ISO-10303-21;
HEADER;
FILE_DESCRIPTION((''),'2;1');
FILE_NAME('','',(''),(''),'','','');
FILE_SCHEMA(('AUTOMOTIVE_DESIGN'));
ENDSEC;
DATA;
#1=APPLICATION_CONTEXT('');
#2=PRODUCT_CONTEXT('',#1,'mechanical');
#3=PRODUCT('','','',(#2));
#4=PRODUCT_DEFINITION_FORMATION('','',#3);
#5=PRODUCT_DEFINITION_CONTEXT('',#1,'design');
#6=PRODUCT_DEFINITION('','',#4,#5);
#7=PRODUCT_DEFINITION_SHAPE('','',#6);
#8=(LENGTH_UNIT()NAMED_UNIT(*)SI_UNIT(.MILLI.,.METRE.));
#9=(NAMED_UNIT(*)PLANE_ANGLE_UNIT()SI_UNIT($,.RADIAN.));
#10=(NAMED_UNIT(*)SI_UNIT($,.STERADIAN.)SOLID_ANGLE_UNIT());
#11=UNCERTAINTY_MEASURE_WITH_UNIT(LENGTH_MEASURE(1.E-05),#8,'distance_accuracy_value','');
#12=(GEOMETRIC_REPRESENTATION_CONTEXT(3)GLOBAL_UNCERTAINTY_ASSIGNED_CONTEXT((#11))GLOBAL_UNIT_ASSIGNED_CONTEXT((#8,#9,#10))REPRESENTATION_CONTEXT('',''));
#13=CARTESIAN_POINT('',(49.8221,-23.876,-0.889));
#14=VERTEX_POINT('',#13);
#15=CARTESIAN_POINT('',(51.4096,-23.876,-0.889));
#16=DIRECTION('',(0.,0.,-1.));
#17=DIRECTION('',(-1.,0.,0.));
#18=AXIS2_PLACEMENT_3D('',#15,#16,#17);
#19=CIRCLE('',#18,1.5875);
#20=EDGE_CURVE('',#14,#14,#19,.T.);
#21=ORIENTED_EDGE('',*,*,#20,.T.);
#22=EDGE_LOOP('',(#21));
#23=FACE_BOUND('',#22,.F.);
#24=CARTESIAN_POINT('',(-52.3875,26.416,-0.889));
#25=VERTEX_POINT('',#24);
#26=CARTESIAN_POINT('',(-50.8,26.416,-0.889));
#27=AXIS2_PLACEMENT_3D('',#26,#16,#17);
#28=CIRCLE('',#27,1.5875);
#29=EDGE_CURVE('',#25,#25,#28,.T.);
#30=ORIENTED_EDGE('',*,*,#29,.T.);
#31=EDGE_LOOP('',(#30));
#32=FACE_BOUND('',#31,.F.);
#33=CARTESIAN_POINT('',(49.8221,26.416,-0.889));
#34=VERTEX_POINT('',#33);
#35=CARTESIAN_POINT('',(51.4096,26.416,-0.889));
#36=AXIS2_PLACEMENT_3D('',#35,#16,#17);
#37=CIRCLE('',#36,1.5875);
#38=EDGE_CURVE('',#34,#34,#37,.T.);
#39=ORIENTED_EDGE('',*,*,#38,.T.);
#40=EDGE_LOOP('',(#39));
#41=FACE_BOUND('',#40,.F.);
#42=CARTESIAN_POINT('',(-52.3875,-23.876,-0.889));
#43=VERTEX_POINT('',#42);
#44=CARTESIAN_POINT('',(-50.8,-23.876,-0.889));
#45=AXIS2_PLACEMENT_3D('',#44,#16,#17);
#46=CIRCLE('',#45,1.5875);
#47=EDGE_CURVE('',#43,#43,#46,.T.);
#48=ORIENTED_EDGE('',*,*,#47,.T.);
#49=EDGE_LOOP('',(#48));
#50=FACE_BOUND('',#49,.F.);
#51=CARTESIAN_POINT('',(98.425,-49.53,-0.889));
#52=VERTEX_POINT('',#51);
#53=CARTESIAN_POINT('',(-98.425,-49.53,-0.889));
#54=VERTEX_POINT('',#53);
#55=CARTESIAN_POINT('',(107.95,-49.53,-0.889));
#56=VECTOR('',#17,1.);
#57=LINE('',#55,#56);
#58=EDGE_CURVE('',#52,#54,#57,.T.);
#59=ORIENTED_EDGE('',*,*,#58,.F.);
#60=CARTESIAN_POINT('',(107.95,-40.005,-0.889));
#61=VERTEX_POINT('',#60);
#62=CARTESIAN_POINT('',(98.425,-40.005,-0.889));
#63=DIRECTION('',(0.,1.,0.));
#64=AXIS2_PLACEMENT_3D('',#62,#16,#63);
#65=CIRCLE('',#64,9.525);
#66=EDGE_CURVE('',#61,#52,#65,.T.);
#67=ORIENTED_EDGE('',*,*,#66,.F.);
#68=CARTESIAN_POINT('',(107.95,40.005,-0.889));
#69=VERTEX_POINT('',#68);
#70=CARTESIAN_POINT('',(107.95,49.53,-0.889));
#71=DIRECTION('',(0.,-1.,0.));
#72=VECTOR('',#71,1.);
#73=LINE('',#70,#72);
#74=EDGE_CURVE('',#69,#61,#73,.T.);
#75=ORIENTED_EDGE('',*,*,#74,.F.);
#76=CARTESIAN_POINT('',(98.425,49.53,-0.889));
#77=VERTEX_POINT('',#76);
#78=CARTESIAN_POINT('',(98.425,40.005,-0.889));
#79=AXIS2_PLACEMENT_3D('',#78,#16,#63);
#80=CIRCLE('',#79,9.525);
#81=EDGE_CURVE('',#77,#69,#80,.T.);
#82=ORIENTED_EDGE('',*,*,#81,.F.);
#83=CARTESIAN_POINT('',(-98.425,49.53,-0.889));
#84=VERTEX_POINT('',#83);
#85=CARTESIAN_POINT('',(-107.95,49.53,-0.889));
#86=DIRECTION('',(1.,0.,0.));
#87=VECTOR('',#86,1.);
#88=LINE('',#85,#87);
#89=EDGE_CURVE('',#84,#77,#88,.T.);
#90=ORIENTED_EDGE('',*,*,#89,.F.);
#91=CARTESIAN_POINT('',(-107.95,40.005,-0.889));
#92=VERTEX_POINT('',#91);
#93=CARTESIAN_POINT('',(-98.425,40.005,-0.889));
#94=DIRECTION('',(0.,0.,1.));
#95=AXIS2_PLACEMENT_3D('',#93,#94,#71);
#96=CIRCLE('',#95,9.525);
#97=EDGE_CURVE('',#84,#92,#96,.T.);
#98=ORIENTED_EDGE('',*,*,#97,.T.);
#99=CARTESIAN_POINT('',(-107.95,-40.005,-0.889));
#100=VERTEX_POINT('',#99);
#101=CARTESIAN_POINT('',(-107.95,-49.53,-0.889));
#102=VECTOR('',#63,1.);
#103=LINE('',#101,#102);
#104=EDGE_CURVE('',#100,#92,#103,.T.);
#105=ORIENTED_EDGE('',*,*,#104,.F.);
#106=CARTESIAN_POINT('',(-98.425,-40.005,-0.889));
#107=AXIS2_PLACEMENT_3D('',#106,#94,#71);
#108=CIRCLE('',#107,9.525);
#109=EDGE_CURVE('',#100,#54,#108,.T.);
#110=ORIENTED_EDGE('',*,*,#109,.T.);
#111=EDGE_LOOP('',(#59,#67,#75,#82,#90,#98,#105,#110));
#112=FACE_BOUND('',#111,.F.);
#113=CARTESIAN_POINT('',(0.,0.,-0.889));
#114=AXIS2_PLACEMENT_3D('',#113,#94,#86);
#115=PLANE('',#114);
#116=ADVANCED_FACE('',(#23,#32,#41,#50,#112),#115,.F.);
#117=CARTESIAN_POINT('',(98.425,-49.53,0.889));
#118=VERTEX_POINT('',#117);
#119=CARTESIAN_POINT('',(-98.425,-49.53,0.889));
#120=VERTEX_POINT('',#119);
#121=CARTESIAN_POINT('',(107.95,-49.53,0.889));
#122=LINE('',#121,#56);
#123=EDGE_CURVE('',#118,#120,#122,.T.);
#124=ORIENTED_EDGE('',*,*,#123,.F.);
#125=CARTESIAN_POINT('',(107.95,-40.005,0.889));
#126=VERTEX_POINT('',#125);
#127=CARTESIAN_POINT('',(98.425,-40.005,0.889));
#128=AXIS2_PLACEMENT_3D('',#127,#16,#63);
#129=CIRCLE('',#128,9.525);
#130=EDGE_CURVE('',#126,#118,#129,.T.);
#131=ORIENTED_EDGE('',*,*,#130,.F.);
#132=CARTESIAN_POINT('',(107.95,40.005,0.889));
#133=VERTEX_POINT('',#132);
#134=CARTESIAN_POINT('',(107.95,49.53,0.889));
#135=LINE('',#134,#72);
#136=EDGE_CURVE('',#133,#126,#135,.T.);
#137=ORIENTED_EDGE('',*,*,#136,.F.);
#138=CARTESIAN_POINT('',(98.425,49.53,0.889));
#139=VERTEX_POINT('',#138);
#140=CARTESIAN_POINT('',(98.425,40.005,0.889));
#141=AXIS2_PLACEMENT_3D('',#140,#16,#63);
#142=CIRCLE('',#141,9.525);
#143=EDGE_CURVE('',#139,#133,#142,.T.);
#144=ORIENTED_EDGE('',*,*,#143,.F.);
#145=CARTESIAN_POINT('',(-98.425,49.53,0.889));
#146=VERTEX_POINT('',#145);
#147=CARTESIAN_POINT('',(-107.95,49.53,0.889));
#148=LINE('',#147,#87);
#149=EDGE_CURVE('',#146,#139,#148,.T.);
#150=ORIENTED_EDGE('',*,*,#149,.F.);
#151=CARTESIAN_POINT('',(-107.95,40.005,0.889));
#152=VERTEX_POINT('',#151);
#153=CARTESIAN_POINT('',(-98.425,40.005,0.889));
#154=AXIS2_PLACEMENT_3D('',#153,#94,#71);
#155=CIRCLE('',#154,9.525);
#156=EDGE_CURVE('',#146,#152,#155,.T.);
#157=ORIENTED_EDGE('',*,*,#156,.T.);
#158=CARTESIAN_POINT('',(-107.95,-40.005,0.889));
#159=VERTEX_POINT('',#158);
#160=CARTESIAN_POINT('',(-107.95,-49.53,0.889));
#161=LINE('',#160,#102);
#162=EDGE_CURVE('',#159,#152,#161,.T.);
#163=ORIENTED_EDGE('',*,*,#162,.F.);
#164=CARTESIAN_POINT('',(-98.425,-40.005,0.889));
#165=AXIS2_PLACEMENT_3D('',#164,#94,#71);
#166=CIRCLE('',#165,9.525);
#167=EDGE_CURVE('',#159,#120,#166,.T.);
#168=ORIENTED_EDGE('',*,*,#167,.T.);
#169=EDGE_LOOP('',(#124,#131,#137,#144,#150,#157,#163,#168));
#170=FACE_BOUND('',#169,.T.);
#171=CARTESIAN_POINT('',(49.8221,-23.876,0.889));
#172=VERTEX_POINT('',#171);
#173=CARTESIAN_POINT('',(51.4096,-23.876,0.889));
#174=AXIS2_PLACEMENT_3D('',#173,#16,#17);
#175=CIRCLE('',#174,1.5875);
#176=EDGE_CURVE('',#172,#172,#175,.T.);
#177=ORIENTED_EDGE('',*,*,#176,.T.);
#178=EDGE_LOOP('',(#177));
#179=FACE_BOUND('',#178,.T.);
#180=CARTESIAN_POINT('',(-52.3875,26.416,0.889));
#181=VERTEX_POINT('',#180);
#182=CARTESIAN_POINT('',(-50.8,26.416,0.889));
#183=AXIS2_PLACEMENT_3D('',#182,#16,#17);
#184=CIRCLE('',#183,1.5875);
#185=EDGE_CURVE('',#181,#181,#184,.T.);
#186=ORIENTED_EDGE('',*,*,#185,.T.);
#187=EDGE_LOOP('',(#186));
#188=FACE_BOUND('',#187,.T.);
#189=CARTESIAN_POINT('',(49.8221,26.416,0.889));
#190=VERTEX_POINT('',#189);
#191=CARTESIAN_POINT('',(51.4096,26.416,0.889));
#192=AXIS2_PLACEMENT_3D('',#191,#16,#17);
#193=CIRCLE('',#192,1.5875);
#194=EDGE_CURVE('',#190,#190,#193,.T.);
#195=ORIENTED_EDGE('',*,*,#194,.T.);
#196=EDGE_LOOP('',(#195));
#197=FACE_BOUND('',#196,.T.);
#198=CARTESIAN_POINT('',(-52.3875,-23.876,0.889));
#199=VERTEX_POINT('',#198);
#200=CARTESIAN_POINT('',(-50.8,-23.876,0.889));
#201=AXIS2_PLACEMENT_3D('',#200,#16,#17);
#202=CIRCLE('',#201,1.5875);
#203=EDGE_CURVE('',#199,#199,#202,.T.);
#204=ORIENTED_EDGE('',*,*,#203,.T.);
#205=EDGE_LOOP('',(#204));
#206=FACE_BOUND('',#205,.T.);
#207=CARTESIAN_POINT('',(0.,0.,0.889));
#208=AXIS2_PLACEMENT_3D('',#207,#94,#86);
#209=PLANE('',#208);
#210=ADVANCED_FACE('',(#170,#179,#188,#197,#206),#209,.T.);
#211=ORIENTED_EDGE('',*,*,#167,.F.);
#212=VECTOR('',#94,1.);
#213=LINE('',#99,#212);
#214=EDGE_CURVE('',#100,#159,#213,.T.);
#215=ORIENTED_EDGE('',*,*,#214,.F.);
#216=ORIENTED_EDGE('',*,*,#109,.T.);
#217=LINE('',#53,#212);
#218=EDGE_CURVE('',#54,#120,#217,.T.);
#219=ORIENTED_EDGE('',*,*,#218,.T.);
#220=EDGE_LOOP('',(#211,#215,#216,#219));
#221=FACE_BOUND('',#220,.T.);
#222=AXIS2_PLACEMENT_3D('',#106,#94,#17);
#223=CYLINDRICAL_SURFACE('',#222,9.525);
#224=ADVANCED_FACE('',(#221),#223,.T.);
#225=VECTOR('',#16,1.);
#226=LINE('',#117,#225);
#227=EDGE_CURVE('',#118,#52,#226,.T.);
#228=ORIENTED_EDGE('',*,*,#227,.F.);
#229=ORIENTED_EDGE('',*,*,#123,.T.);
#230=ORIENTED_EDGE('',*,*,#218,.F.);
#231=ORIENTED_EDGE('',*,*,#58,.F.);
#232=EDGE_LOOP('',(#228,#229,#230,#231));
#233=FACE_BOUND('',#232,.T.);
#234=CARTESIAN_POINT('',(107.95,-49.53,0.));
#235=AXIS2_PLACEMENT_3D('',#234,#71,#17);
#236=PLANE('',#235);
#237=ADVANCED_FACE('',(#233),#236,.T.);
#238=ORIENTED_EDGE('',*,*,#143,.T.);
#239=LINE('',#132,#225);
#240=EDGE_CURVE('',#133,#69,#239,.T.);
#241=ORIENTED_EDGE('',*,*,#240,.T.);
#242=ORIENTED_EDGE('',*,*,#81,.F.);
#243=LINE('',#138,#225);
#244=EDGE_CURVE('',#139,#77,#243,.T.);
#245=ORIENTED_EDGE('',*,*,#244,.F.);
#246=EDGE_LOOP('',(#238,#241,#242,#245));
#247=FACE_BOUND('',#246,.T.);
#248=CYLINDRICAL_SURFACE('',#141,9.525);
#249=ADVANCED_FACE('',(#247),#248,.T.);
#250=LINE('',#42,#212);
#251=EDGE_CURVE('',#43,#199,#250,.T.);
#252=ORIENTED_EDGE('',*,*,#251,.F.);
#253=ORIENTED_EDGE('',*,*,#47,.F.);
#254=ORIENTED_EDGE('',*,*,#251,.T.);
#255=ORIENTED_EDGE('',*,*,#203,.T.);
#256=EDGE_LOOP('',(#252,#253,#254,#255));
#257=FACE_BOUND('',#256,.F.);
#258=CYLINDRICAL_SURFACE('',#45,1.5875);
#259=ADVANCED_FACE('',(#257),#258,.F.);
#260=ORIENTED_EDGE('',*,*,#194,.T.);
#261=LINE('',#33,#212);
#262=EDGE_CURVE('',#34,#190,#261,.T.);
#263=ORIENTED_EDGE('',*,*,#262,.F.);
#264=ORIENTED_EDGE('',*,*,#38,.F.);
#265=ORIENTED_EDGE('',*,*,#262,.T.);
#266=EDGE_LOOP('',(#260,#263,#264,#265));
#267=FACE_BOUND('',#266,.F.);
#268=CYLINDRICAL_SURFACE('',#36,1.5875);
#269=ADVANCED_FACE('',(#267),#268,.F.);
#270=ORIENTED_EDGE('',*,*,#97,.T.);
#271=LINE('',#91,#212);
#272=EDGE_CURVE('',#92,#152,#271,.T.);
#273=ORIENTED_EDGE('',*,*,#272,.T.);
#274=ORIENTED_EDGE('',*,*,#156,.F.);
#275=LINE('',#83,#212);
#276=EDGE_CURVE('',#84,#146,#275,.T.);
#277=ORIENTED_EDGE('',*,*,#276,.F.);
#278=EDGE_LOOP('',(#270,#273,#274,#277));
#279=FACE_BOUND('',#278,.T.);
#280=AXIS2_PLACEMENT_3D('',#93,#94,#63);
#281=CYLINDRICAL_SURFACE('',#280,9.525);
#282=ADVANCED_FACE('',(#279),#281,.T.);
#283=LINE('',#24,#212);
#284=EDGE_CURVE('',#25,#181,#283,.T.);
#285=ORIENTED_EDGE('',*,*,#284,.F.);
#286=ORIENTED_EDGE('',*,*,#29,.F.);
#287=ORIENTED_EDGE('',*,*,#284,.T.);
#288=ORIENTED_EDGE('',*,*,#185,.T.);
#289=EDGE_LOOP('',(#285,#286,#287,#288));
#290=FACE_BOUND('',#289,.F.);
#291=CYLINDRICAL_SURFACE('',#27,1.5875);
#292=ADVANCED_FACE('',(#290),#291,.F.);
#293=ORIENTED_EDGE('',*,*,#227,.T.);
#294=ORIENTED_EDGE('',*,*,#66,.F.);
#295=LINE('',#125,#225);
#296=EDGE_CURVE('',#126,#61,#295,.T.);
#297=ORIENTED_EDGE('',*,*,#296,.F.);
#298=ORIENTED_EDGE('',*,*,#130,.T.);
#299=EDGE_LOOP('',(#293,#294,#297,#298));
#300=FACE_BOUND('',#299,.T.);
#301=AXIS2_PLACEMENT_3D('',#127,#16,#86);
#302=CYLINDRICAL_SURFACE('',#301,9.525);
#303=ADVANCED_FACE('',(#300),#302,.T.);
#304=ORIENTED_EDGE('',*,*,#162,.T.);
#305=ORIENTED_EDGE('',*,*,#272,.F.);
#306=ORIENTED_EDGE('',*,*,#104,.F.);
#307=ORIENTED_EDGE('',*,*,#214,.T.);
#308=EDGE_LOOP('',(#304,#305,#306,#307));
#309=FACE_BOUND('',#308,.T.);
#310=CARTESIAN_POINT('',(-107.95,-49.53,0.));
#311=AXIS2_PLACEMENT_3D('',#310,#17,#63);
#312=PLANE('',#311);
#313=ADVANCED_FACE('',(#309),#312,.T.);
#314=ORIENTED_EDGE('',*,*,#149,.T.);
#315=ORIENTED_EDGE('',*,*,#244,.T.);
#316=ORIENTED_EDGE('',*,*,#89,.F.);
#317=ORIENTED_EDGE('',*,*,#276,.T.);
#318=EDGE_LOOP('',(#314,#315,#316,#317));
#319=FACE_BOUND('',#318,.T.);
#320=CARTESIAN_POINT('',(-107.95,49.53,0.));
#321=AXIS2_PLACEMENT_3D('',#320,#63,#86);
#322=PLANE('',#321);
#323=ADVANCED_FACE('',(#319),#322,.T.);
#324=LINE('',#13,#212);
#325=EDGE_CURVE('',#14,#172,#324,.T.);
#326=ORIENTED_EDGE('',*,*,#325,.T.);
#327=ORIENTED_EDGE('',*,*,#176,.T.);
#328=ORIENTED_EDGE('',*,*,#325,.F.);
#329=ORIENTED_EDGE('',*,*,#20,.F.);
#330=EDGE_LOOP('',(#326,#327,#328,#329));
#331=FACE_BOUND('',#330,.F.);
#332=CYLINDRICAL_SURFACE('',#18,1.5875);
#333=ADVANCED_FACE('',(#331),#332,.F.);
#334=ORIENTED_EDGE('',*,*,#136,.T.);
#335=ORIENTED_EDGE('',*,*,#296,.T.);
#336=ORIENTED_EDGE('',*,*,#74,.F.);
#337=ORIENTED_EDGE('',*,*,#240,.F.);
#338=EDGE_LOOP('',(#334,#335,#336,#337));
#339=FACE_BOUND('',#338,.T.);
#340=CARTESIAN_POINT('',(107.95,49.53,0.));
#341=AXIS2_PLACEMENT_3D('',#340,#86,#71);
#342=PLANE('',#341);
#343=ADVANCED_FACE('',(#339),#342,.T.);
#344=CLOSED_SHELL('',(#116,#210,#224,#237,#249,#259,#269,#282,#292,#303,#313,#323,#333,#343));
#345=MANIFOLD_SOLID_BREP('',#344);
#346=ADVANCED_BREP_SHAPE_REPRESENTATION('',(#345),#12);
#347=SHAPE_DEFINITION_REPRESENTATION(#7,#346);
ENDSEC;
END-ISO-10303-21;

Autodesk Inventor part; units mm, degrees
ref_plane "YZ Plane" through (0, 0, 0) normal (1, 0, 0) x (0, 1, 0)
ref_plane "XZ Plane" through (0, 0, 0) normal (0, 1, 0) x (-1, 0, 0)
ref_plane "XY Plane" through (0, 0, 0) normal (0, 0, 1) x (1, 0, 0)
sketch "Sketch1" plane through (0, 0, 0) normal (0, 0, 1) x (1, 0, 0)
  line L0 (-107.95, 49.53) -> (107.95, 49.53)
  line L1 (107.95, 49.53) -> (107.95, -49.53)
  line L2 (107.95, -49.53) -> (-107.95, -49.53)
  line L3 (-107.95, -49.53) -> (-107.95, 49.53)
  line L4 (-107.95, 49.53) -> (107.95, -49.53) construction
  point P0 (0, 0)
  point P1 (0, 0)
  dimension "d0" = 99.06
  dimension "d1" = 215.9
extrude "Extrusion1" add sketch "Sketch1" along normal mid plane 1.778
fillet "Fillet1" radius 9.525 4 edges at (107.95, 49.53, 0) (107.95, -49.53, 0) (-107.95, 49.53, 0) (-107.95, -49.53, 0)
sketch "Sketch2" plane through (0, 0, -0.889) normal (0, 0, -1) x (-1, 0, 0)
  line L0 (107.95, 40.005) -> (107.95, -40.005) projected
  line L1 (-98.425, 49.53) -> (98.425, 49.53) projected
  line L2 (-107.95, -40.005) -> (-107.95, 40.005) projected
  line L3 (98.425, -49.53) -> (-98.425, -49.53) projected
  circle A0 centre (-51.4096, 26.416) radius 1.5875
  circle A1 centre (50.8, 26.416) radius 1.5875
  circle A2 centre (-51.4096, -23.876) radius 1.5875
  circle A3 centre (50.8, -23.876) radius 1.5875
  line L4 (-51.4096, 26.416) -> (50.8, 26.416) construction
  line L5 (50.8, 26.416) -> (50.8, -23.876) construction
  line L6 (50.8, -23.876) -> (-51.4096, -23.876) construction
  line L7 (-51.4096, -23.876) -> (-51.4096, 26.416) construction
  point P0 (0, 0)
  dimension "d5" = 56.5404
  dimension "d6" = 23.114
  dimension "d7" = 25.654
  dimension "d8" = 57.15
  dimension "d9" = 3.175
extrude "Extrusion2" cut sketch "Sketch2" against normal up to next
properties part number "Plate"
